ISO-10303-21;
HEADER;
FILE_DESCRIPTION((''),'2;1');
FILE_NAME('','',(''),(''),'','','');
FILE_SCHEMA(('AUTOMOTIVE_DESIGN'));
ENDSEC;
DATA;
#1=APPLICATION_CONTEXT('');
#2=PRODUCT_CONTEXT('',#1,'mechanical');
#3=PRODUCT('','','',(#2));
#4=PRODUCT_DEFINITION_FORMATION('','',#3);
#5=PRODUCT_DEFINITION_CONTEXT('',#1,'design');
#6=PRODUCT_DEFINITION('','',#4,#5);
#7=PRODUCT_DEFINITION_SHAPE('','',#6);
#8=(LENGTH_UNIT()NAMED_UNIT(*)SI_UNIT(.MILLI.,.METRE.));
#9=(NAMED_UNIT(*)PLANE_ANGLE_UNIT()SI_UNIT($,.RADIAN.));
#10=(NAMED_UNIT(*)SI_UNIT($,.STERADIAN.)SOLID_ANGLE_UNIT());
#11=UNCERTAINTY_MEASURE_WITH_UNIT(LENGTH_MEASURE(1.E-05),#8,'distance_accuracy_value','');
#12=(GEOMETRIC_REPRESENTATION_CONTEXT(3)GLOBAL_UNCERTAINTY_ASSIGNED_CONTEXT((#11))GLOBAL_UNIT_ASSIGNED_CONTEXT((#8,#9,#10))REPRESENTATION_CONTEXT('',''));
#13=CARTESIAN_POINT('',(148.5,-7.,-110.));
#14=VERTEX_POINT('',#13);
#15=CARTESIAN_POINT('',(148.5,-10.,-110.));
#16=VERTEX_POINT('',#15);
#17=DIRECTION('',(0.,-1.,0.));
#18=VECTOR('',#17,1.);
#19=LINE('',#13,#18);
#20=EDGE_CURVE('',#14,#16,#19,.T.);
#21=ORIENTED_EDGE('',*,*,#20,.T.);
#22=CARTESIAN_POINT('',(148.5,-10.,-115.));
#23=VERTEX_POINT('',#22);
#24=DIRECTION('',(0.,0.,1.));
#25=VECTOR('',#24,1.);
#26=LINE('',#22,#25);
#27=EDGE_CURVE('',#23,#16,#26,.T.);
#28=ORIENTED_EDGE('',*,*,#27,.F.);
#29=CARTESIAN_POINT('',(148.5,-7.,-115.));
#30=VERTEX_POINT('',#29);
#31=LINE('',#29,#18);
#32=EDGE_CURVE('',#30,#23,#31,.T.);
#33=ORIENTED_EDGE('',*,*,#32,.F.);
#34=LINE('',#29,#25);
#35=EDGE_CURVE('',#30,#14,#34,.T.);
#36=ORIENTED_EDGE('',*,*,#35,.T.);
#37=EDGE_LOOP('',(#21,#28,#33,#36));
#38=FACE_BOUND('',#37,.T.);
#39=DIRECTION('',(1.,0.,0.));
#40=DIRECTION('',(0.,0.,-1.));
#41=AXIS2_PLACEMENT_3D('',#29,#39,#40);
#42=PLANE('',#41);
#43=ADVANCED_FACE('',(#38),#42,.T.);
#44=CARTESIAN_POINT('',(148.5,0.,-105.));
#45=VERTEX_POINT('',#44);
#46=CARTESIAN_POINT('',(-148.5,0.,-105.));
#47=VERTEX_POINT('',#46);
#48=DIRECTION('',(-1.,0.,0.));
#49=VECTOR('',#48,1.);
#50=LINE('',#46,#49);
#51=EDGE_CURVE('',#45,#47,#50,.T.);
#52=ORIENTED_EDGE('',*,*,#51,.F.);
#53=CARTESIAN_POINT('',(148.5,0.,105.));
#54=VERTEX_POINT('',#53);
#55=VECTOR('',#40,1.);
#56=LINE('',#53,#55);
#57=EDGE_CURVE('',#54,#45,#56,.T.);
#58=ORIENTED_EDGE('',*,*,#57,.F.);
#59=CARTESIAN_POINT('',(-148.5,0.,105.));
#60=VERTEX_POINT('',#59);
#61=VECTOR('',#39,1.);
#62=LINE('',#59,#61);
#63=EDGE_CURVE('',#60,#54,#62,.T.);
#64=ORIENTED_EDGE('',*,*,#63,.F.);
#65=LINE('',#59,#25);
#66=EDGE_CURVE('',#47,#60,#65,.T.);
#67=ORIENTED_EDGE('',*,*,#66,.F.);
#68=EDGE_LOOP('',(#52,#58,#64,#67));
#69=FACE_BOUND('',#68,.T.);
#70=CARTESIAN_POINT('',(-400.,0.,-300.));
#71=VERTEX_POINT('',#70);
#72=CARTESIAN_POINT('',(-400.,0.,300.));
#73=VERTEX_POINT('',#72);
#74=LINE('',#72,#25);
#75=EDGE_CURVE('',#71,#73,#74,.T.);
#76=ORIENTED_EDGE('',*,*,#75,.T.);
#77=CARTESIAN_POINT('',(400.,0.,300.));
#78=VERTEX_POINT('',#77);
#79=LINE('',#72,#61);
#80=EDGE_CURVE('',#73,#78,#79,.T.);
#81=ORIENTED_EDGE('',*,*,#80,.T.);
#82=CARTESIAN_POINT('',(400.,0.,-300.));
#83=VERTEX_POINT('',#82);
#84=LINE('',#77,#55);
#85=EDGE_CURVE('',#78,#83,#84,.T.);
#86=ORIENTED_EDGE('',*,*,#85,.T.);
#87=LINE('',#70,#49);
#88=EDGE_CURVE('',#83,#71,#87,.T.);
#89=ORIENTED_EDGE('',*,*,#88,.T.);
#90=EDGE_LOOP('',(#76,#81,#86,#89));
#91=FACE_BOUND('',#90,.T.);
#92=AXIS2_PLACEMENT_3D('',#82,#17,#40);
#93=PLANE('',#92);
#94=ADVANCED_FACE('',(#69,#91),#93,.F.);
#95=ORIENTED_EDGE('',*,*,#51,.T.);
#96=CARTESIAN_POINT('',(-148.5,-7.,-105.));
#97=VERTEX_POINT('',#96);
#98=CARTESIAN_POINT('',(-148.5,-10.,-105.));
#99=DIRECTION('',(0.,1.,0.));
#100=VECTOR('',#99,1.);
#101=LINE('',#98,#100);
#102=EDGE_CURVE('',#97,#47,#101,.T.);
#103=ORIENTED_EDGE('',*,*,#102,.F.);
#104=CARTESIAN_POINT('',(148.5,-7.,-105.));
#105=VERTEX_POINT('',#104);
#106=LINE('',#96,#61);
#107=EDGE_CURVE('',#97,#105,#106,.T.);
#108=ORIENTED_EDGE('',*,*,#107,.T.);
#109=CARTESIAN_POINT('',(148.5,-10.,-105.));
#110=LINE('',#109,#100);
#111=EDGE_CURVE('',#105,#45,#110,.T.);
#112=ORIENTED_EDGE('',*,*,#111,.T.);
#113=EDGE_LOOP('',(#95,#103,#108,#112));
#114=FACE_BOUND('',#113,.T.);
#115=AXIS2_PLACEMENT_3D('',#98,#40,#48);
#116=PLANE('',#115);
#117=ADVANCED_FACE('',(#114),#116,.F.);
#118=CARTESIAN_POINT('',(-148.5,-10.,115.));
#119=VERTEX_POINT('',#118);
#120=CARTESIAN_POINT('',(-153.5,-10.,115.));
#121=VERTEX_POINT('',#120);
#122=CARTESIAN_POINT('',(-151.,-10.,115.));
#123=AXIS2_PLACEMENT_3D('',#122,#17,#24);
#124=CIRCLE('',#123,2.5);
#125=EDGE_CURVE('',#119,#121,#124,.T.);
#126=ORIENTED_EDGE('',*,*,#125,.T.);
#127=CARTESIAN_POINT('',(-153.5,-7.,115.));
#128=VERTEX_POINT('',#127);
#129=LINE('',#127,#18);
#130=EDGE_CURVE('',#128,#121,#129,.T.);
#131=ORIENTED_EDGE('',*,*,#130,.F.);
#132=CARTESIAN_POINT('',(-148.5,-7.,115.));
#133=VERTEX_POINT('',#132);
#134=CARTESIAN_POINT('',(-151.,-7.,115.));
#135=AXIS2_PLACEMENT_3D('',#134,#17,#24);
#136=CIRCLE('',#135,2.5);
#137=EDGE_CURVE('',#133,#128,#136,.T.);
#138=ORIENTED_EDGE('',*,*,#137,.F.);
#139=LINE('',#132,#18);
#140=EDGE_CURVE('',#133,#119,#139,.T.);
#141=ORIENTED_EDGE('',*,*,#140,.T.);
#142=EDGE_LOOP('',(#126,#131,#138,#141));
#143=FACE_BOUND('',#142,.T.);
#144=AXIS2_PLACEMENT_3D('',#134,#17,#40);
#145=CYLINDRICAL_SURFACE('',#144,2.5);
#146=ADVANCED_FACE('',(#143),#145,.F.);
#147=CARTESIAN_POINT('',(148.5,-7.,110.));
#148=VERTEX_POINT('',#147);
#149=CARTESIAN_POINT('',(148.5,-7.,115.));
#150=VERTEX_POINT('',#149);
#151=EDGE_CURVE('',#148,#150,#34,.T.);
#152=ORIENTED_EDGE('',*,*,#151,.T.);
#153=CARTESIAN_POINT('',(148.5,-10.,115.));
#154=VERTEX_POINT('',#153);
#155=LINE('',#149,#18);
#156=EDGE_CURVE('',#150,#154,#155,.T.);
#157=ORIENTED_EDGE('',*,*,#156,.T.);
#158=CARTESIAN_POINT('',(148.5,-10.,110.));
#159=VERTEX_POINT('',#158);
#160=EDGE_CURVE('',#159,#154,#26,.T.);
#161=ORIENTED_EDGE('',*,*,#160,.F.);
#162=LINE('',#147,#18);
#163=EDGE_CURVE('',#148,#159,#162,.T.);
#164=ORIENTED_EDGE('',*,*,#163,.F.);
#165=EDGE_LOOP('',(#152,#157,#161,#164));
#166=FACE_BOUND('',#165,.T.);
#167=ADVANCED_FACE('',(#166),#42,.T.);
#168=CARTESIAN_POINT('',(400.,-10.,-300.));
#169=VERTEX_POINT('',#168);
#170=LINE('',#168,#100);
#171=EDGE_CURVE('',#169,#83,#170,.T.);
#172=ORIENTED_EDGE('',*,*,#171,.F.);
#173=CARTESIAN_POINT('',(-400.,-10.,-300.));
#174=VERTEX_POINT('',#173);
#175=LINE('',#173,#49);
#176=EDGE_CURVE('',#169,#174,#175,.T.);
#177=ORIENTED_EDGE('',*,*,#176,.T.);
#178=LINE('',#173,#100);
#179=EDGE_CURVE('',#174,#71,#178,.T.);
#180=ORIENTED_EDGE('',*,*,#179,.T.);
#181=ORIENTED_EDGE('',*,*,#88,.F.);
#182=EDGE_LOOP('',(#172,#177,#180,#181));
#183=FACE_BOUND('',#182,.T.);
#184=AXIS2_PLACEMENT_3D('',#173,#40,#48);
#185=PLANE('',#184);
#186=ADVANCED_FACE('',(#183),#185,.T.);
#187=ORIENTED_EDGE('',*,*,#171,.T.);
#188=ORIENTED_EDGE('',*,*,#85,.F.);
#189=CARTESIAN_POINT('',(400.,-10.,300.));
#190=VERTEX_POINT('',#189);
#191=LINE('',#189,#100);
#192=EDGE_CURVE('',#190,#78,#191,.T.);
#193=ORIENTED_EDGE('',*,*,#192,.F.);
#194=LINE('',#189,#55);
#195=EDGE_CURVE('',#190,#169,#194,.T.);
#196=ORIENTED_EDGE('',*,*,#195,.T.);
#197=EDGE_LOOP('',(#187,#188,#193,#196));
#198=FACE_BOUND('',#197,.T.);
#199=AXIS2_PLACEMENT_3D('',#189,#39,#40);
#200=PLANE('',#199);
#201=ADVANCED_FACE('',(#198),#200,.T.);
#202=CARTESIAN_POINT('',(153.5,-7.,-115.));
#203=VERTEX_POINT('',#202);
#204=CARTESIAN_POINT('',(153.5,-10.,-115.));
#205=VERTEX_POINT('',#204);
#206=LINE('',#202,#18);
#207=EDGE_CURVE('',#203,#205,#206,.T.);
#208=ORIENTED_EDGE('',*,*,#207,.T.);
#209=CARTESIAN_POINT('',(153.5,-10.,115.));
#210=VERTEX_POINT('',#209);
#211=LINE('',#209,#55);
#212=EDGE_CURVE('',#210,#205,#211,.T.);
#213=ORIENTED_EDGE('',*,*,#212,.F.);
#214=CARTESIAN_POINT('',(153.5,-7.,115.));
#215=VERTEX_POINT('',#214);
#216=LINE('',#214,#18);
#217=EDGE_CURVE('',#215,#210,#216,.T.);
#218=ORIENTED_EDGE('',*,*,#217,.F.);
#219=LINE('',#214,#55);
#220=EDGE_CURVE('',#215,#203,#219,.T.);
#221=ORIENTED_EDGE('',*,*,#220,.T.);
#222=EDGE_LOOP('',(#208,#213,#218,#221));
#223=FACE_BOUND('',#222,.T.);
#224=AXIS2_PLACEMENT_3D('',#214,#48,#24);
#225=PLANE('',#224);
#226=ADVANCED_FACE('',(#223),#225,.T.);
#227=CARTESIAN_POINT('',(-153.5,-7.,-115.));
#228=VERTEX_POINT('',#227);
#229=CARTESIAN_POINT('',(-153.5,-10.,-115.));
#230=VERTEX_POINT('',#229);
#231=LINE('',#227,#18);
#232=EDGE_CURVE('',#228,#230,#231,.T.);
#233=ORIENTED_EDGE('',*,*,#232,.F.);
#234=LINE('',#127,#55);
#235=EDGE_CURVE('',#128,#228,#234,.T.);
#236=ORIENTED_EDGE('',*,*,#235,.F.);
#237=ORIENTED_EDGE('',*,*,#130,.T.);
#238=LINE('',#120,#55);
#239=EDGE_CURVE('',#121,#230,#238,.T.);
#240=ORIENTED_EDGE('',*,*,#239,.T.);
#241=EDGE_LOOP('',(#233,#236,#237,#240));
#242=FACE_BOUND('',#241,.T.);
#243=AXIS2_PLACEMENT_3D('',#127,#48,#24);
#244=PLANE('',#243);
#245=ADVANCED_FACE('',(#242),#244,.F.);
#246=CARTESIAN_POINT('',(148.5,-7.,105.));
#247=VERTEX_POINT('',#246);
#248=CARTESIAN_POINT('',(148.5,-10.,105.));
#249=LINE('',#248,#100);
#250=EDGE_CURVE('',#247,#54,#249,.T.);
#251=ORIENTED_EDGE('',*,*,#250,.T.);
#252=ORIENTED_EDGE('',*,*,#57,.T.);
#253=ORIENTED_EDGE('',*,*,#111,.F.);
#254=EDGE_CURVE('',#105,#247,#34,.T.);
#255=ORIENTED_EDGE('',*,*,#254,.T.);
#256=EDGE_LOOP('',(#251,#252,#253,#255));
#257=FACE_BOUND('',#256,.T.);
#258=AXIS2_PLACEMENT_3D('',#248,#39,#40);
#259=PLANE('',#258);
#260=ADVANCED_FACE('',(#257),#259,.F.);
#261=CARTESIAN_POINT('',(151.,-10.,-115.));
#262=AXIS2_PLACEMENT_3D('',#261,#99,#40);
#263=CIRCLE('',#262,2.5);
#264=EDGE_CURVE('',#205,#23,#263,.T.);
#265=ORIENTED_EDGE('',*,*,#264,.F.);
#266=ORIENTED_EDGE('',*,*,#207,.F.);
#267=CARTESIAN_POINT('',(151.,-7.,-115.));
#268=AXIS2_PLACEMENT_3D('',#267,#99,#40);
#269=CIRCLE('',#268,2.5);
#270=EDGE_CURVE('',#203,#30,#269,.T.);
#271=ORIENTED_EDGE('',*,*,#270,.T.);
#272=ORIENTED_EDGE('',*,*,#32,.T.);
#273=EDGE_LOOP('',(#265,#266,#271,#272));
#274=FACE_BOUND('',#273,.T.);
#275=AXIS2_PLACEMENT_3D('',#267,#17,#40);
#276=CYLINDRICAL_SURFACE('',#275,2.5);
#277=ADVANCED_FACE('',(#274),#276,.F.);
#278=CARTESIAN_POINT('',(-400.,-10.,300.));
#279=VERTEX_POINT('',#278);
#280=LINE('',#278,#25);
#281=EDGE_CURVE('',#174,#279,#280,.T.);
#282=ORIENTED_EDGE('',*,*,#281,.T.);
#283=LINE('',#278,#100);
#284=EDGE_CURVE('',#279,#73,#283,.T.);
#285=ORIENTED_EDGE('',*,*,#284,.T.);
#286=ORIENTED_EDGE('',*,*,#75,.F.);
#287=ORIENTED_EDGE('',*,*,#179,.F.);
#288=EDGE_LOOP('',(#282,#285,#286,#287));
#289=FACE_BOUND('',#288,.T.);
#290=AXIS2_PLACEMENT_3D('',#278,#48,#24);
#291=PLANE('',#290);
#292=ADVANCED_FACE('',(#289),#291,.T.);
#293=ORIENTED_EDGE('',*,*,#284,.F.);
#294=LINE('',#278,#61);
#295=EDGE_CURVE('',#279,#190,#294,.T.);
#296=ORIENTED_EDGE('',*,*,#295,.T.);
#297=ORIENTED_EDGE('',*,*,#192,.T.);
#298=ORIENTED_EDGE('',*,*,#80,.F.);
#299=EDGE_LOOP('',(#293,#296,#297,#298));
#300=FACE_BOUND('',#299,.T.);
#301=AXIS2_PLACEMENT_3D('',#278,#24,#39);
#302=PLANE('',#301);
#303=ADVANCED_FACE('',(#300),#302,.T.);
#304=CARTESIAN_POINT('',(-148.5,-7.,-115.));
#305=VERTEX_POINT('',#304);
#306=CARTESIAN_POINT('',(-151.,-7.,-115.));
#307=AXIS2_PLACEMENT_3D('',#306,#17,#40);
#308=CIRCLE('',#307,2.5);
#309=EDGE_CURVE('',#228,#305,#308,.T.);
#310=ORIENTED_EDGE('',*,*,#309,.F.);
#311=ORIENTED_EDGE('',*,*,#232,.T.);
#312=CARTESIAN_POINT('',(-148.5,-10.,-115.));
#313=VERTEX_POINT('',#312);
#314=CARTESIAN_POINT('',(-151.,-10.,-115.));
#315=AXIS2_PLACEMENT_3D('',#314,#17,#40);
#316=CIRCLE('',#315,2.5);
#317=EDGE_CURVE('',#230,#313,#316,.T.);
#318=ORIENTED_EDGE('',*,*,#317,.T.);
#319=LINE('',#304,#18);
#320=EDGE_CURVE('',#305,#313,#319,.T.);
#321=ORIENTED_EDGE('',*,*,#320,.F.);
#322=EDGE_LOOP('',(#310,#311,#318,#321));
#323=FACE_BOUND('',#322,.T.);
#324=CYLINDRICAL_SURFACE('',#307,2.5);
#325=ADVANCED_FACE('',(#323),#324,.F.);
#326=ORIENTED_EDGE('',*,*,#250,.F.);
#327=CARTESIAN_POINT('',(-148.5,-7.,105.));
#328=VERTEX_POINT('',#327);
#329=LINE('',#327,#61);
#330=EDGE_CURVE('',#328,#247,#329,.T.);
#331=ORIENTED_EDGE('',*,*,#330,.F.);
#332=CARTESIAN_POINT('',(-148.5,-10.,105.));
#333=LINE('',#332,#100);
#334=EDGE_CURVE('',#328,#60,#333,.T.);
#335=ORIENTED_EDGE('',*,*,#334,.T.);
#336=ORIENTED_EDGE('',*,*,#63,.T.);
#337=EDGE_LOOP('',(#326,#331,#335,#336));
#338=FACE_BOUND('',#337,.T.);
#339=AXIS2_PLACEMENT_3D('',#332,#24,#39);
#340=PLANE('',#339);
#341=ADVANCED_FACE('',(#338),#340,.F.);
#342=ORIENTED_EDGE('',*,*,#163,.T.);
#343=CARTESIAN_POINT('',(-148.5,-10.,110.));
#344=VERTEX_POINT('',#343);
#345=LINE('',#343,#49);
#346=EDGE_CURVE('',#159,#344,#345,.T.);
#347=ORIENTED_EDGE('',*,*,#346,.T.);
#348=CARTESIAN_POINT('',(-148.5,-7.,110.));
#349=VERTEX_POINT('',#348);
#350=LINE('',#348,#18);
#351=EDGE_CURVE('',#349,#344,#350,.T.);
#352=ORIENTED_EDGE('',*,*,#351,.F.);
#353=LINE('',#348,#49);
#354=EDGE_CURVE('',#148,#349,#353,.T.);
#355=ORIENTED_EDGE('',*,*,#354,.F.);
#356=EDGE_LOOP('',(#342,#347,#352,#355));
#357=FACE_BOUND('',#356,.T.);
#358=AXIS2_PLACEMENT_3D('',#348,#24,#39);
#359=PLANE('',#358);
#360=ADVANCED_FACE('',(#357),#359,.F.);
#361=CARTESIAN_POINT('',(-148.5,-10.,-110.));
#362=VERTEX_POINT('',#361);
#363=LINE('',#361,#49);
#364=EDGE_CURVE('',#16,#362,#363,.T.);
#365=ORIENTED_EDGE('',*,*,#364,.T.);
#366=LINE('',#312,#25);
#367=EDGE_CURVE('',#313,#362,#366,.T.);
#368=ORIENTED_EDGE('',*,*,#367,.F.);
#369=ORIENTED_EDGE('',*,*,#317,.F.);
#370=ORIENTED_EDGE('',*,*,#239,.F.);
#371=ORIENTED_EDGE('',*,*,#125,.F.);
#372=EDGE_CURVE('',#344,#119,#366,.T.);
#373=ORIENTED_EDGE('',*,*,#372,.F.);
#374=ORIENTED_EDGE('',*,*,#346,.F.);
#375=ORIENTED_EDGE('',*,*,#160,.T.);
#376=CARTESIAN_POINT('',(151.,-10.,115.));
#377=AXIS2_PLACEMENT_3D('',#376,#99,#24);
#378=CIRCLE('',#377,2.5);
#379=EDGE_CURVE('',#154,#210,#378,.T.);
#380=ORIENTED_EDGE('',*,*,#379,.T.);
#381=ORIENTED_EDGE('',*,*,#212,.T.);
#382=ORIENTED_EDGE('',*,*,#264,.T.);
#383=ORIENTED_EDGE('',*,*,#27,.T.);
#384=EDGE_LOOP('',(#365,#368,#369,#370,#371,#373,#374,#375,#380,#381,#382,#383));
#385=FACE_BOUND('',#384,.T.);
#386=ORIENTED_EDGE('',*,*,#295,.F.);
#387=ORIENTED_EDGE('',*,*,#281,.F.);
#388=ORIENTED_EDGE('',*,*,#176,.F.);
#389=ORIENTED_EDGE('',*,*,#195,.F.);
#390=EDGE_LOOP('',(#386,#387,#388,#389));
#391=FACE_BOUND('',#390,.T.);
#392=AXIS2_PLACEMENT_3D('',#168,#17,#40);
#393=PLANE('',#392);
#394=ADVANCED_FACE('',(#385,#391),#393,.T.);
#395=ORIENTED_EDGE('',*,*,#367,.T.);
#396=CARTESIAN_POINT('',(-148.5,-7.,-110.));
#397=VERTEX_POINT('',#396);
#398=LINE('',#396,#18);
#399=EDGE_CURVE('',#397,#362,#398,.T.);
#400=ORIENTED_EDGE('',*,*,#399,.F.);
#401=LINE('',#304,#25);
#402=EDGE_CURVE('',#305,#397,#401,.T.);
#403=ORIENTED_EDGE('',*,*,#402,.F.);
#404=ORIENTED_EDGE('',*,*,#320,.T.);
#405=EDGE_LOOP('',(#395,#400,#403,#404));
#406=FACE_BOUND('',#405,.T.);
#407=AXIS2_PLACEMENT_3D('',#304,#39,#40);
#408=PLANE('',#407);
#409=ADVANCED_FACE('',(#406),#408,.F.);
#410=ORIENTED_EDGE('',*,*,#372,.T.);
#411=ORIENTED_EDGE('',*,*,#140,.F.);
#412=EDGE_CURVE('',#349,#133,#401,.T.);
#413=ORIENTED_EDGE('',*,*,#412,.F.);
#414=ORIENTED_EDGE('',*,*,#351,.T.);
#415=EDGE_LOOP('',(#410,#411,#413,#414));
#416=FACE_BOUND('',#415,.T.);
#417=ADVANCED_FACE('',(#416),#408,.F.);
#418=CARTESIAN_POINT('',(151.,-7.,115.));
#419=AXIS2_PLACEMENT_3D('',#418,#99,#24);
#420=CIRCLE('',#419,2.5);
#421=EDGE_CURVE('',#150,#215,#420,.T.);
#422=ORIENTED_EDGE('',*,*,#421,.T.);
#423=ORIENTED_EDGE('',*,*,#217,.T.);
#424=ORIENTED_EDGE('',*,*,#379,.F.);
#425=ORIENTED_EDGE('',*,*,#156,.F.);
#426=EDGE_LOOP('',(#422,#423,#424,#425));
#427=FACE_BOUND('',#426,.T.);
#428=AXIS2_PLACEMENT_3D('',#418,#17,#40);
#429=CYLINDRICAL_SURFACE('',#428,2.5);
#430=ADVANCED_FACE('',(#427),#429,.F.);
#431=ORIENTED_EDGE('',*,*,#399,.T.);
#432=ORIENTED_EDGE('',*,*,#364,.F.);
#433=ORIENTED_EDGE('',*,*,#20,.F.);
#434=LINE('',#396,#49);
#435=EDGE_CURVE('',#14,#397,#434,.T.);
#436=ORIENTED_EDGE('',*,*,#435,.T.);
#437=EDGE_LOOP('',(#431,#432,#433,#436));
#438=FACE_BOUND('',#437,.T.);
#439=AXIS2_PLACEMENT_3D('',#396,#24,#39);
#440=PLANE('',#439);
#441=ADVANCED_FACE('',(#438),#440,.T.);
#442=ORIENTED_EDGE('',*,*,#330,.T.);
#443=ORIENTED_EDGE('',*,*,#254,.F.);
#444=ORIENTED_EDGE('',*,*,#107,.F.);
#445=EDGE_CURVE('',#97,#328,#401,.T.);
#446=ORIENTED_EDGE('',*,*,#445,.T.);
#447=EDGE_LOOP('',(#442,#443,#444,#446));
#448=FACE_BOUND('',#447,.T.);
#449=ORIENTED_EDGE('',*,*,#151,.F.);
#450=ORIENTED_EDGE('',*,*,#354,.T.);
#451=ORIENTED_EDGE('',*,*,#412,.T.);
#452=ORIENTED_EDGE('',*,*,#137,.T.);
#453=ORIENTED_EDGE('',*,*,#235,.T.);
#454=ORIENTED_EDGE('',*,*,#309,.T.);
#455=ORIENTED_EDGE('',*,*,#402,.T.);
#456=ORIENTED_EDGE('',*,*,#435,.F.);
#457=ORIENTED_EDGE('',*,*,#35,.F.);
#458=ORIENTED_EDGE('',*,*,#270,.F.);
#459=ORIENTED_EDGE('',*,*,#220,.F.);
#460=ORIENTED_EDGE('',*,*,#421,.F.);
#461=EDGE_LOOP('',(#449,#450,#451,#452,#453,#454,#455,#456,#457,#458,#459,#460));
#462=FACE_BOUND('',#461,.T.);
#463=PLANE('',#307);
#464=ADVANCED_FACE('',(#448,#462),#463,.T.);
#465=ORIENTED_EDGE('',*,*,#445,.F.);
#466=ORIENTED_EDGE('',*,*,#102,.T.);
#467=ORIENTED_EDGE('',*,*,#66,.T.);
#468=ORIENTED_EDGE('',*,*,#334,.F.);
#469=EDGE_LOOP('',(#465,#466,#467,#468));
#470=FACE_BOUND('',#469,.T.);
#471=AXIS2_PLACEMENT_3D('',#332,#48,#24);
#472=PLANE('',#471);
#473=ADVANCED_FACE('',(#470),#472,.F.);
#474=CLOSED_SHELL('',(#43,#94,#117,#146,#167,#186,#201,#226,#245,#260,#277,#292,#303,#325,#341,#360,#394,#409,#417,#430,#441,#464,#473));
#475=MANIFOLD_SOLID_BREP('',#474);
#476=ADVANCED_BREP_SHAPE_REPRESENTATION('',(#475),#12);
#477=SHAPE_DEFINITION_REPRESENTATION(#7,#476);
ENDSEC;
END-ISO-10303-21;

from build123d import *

# Parameters (mm, degrees)
SKETCH1_W      = 800
SKETCH1_H      = 600
SKETCH1_W_2    = 297
SKETCH1_H_2    = 210
EXTRUDE1_DEPTH = 10
EXTRUDE2_DEPTH = 3
SKETCH3_W      = 297
SKETCH3_H      = 5
EXTRUDE3_DEPTH = 3


with BuildPart() as part:
    # Sketch1 → Extrude1 (new body)
    with BuildSketch(Plane(origin=(0, 0, 0), x_dir=(1, 0, 0), z_dir=(0, 1, 0))):
        Rectangle(SKETCH1_W, SKETCH1_H)
        Rectangle(SKETCH1_W_2, SKETCH1_H_2, mode=Mode.SUBTRACT)
    extrude(amount=-EXTRUDE1_DEPTH)

    # Sketch2 → Extrude2 (cut)
    with BuildSketch(Plane.XZ.offset(10)):
        with BuildLine():
            Line((-148.5, -115), (-148.5, 115))
            ThreePointArc((-148.5, 115), (-151, 117.5), (-153.5, 115))
            Line((-153.5, 115), (-153.5, -115))
            ThreePointArc((-153.5, -115), (-151, -117.5), (-148.5, -115))
        make_face()
    extrude2 = extrude(amount=-EXTRUDE2_DEPTH, mode=Mode.SUBTRACT)

    # Mirror1: Extrude2 across plane
    add(extrude2.mirror(Plane(origin=(0, 0, 0), x_dir=(0, 0, 1), z_dir=(1, 0, 0))), mode=Mode.SUBTRACT)

    # Sketch3 → Extrude3 (cut)
    with BuildSketch(Plane.XZ.offset(10)):
        with Locations((0, 107.5)):
            Rectangle(SKETCH3_W, SKETCH3_H)
    extrude3 = extrude(amount=-EXTRUDE3_DEPTH, mode=Mode.SUBTRACT)

    # Mirror2: Extrude3 across plane
    add(extrude3.mirror(Plane.XY), mode=Mode.SUBTRACT)


solid = part.part
